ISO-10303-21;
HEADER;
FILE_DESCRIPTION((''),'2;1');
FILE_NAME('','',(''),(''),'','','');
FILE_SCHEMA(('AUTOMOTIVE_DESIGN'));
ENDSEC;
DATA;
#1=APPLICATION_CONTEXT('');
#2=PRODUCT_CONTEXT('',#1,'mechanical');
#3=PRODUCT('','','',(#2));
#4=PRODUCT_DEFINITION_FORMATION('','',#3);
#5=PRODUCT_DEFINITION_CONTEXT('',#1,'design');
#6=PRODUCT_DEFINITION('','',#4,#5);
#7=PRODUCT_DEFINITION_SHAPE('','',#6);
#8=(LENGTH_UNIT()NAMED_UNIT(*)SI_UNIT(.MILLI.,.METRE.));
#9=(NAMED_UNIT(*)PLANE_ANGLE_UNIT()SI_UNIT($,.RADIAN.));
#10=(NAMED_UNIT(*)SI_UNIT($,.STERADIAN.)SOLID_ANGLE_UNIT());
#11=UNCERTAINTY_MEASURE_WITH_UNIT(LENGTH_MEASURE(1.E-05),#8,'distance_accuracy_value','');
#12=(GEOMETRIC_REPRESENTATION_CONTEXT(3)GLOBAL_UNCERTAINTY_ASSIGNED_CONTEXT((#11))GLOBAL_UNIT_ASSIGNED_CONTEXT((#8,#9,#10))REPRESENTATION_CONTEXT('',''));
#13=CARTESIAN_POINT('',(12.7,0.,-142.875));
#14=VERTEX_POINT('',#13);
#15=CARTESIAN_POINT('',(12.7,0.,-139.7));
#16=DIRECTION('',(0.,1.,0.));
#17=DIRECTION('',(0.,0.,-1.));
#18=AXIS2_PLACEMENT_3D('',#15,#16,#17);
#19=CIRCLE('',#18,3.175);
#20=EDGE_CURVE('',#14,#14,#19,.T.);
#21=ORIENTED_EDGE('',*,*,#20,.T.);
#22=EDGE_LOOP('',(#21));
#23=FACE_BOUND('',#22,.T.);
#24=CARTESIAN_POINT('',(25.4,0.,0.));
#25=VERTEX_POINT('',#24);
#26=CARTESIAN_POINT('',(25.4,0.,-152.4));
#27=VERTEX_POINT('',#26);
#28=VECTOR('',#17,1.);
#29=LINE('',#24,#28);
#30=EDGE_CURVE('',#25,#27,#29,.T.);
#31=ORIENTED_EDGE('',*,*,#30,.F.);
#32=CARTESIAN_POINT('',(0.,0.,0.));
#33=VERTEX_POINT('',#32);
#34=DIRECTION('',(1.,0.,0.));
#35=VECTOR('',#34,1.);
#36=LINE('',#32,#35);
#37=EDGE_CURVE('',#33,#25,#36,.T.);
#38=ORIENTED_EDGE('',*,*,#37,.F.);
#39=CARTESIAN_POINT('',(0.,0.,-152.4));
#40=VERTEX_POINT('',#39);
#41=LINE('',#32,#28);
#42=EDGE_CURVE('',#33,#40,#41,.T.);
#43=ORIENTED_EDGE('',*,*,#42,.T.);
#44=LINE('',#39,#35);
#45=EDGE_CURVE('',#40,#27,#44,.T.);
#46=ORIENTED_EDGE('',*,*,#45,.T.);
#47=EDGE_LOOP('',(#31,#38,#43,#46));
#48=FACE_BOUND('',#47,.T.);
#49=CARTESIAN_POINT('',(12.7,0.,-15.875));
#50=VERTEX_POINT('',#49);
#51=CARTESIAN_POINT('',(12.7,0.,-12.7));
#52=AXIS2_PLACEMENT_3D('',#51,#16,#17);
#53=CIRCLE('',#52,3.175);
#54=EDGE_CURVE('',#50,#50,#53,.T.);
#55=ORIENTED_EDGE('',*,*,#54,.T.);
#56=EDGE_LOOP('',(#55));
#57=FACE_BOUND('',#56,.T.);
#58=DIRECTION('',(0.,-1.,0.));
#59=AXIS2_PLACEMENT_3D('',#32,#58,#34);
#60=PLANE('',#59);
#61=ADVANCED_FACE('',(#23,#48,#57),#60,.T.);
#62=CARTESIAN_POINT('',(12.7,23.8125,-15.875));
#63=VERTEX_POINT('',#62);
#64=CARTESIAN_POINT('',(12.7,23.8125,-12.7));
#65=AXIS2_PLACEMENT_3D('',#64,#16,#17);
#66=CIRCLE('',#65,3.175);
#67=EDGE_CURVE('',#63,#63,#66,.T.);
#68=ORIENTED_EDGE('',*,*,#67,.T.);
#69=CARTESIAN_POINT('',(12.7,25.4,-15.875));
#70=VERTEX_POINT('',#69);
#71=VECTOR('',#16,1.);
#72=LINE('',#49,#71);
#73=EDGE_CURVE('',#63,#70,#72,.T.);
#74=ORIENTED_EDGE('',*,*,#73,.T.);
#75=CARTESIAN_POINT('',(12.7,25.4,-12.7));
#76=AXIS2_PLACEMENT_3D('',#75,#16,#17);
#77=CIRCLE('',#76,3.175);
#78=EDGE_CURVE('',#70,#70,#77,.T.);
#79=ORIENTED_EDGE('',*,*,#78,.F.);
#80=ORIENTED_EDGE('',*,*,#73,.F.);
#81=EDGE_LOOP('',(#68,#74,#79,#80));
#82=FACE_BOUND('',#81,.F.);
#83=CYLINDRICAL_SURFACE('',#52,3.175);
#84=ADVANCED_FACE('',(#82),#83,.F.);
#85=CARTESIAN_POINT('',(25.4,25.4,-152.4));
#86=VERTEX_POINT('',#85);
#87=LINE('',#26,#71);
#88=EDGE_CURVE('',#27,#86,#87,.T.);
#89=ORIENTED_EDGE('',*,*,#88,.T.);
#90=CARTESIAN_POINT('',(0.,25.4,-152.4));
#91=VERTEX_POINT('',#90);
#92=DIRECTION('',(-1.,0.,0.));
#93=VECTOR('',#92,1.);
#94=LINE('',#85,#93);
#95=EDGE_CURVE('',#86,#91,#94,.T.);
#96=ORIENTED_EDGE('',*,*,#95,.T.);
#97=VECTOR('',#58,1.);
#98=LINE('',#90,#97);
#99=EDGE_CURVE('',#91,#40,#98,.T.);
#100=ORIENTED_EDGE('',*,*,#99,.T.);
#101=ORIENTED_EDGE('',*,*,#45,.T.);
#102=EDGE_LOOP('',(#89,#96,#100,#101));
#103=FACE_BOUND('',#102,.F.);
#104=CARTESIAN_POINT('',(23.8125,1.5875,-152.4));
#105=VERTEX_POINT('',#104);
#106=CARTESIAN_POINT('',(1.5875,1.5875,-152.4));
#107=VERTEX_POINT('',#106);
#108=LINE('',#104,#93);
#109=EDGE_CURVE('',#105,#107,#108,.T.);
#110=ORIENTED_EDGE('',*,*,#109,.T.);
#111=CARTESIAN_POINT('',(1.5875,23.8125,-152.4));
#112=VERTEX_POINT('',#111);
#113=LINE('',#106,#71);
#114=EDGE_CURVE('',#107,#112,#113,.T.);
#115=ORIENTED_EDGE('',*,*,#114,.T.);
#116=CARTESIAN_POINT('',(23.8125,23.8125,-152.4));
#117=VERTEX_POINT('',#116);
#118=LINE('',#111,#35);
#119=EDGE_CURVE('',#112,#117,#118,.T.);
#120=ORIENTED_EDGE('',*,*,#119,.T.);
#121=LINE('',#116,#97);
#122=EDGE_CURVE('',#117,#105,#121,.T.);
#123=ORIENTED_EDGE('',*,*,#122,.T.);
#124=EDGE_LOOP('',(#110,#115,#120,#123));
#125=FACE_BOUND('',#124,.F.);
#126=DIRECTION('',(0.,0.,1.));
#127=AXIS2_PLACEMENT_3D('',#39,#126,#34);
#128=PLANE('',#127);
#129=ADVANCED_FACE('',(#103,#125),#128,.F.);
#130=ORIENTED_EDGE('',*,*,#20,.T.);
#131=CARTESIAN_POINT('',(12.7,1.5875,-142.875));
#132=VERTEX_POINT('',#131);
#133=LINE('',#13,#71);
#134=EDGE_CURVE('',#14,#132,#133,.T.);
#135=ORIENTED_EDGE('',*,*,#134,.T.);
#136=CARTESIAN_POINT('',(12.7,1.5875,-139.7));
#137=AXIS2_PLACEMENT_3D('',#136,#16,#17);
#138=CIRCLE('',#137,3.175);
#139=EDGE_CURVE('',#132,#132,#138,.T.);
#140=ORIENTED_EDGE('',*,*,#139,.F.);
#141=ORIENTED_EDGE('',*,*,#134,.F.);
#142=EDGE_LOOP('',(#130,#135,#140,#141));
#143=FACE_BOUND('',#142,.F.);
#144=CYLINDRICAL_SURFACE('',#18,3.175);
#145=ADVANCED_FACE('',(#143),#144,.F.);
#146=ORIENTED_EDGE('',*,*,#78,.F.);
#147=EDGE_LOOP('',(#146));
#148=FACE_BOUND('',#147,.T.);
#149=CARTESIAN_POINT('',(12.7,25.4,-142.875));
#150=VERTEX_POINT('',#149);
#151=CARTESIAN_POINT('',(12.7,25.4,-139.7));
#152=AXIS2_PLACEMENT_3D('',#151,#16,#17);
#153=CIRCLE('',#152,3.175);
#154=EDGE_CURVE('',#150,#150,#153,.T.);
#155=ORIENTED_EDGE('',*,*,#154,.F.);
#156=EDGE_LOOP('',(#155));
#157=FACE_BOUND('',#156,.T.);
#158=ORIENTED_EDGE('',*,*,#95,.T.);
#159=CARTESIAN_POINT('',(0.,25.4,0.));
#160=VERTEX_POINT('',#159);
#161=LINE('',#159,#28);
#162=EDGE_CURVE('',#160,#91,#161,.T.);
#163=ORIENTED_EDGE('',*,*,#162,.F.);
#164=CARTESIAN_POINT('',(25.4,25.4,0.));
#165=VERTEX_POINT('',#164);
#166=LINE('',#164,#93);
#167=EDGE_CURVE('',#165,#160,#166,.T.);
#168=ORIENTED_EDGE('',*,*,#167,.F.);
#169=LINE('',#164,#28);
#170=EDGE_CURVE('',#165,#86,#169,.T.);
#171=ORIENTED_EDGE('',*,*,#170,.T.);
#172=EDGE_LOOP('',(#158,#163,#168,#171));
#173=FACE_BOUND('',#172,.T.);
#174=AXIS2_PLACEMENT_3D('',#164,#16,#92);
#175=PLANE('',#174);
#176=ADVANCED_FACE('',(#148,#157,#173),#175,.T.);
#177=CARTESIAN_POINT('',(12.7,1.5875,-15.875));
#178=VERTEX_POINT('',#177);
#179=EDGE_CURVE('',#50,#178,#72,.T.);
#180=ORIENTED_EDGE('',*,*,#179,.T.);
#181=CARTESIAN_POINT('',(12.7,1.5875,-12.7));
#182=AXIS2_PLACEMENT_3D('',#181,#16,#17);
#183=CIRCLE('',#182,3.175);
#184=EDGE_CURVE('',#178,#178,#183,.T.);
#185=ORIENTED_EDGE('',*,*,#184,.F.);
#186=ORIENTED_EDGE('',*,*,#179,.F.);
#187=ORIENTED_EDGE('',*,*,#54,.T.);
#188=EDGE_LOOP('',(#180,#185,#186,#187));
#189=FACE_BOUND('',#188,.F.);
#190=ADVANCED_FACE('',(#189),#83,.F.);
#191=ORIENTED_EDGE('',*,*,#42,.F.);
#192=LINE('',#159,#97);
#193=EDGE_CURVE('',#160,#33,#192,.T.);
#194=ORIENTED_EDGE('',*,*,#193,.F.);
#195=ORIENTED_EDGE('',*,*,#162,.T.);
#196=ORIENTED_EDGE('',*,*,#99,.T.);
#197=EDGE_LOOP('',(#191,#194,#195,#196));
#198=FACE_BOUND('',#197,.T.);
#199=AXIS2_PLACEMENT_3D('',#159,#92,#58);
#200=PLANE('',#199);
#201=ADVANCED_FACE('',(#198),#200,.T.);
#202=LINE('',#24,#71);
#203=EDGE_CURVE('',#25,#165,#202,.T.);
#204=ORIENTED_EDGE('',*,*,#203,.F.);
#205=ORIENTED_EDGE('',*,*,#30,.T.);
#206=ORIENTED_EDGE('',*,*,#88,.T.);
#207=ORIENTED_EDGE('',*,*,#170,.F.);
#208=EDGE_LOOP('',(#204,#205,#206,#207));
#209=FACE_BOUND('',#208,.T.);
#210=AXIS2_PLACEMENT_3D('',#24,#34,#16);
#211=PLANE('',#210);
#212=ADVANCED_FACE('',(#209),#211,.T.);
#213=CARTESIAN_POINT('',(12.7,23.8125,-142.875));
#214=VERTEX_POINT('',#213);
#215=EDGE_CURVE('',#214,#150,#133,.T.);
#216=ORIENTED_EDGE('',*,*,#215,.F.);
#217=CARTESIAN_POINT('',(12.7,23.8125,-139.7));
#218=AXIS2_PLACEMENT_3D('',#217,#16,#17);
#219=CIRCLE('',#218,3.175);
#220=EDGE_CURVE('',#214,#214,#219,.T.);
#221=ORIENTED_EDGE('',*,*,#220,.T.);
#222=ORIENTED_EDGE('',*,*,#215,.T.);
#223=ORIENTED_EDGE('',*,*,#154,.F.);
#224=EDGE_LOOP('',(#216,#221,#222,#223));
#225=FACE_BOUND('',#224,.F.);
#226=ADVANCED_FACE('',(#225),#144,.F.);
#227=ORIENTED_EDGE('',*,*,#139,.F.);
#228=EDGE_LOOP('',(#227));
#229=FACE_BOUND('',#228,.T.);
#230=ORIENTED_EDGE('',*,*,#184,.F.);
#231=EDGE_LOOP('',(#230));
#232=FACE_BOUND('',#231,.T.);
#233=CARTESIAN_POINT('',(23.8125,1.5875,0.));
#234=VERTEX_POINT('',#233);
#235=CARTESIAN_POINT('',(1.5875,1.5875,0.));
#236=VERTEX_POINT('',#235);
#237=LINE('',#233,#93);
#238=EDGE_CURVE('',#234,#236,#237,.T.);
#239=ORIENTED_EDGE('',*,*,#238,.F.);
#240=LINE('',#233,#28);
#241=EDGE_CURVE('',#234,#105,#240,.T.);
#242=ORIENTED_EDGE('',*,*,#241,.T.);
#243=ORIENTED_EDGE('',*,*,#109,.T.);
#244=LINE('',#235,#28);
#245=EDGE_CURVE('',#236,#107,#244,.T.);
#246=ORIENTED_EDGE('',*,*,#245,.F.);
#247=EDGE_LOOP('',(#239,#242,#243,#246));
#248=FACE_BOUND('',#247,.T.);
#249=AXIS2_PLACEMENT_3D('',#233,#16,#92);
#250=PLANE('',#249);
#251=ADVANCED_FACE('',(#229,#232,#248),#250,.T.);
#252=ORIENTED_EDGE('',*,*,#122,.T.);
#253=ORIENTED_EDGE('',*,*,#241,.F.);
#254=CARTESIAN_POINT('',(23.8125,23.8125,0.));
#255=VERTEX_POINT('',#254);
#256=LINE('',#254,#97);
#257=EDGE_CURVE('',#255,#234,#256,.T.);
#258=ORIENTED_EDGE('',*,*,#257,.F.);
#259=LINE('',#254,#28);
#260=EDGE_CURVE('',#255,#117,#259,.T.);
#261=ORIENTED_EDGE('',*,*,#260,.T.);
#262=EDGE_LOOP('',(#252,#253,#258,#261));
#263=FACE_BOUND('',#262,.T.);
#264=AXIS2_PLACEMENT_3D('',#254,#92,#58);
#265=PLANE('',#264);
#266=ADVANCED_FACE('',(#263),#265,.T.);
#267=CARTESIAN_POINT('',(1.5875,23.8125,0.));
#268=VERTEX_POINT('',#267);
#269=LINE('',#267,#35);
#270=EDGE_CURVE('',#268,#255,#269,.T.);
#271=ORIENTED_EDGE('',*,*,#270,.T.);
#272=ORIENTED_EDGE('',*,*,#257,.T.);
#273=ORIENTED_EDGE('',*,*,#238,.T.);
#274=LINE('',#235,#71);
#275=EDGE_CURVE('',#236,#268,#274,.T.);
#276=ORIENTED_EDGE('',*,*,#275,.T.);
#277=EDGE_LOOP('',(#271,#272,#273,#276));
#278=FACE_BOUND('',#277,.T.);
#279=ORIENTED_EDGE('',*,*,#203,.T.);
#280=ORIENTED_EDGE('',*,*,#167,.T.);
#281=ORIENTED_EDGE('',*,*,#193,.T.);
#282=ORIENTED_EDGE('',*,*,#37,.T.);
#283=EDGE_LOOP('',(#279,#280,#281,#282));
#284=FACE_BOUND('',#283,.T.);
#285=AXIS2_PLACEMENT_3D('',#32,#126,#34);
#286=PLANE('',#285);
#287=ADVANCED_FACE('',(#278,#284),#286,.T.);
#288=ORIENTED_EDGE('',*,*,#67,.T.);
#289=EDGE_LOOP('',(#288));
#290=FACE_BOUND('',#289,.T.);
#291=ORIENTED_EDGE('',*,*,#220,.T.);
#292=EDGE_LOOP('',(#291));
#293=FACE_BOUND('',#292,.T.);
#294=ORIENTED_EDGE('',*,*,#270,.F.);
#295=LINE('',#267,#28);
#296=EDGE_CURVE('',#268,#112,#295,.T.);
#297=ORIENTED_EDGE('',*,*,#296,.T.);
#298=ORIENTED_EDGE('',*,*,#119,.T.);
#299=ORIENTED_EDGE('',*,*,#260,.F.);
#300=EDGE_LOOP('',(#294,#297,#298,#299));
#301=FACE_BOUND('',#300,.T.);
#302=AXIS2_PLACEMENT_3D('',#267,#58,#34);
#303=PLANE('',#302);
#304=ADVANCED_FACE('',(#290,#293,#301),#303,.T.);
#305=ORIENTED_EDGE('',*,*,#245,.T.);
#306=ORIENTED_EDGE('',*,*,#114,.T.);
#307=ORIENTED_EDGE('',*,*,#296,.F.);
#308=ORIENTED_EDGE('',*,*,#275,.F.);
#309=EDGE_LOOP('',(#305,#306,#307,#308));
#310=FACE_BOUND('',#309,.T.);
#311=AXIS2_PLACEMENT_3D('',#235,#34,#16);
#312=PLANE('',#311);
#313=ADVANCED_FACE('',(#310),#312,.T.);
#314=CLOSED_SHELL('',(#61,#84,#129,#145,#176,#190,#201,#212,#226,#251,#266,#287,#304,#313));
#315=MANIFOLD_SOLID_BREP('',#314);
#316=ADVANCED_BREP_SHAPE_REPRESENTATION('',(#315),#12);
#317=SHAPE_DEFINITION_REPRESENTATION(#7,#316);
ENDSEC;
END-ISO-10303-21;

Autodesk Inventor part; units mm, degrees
ref_plane "YZ Plane" through (0, 0, 0) normal (1, 0, 0) x (0, 1, 0)
ref_plane "XZ Plane" through (0, 0, 0) normal (0, 1, 0) x (-1, 0, 0)
ref_plane "XY Plane" through (0, 0, 0) normal (0, 0, 1) x (1, 0, 0)
sketch "Sketch1" plane through (0, 0, 0) normal (0, 0, 1) x (1, 0, 0)
  line L0 (0, 0) -> (25.4, 0)
  line L1 (25.4, 0) -> (25.4, 25.4)
  line L2 (25.4, 25.4) -> (0, 25.4)
  line L3 (0, 25.4) -> (0, 0)
  line L4 (1.5875, 23.8125) -> (23.8125, 23.8125)
  line L5 (23.8125, 23.8125) -> (23.8125, 1.5875)
  line L6 (23.8125, 1.5875) -> (1.5875, 1.5875)
  line L7 (1.5875, 1.5875) -> (1.5875, 23.8125)
  dimension "d0" = 25.4
  dimension "d1" = 25.4
  dimension "d2" = 1.5875
extrude "Extrusion1" add sketch "Sketch1" against normal blind 152.4
sketch "Sketch3" plane through (0, 0, 0) normal (0, -1, 0) x (1, 0, 0)
  line L0 (0, -152.4) -> (25.4, -152.4) projected
  line L1 (0, 0) -> (25.4, 0) projected
  point P0 (12.7, -12.7)
  point P1 (12.7, -139.7)
  dimension "d7" = 12.7
  dimension "d8" = 12.7
hole "Hole2" at (12.7, 0, -12.7) at (12.7, 0, -139.7) direction (0, 1, 0) diameter 6.35 depth 25.4 tip angle 118
properties part number "tube_b_r_wheel"
